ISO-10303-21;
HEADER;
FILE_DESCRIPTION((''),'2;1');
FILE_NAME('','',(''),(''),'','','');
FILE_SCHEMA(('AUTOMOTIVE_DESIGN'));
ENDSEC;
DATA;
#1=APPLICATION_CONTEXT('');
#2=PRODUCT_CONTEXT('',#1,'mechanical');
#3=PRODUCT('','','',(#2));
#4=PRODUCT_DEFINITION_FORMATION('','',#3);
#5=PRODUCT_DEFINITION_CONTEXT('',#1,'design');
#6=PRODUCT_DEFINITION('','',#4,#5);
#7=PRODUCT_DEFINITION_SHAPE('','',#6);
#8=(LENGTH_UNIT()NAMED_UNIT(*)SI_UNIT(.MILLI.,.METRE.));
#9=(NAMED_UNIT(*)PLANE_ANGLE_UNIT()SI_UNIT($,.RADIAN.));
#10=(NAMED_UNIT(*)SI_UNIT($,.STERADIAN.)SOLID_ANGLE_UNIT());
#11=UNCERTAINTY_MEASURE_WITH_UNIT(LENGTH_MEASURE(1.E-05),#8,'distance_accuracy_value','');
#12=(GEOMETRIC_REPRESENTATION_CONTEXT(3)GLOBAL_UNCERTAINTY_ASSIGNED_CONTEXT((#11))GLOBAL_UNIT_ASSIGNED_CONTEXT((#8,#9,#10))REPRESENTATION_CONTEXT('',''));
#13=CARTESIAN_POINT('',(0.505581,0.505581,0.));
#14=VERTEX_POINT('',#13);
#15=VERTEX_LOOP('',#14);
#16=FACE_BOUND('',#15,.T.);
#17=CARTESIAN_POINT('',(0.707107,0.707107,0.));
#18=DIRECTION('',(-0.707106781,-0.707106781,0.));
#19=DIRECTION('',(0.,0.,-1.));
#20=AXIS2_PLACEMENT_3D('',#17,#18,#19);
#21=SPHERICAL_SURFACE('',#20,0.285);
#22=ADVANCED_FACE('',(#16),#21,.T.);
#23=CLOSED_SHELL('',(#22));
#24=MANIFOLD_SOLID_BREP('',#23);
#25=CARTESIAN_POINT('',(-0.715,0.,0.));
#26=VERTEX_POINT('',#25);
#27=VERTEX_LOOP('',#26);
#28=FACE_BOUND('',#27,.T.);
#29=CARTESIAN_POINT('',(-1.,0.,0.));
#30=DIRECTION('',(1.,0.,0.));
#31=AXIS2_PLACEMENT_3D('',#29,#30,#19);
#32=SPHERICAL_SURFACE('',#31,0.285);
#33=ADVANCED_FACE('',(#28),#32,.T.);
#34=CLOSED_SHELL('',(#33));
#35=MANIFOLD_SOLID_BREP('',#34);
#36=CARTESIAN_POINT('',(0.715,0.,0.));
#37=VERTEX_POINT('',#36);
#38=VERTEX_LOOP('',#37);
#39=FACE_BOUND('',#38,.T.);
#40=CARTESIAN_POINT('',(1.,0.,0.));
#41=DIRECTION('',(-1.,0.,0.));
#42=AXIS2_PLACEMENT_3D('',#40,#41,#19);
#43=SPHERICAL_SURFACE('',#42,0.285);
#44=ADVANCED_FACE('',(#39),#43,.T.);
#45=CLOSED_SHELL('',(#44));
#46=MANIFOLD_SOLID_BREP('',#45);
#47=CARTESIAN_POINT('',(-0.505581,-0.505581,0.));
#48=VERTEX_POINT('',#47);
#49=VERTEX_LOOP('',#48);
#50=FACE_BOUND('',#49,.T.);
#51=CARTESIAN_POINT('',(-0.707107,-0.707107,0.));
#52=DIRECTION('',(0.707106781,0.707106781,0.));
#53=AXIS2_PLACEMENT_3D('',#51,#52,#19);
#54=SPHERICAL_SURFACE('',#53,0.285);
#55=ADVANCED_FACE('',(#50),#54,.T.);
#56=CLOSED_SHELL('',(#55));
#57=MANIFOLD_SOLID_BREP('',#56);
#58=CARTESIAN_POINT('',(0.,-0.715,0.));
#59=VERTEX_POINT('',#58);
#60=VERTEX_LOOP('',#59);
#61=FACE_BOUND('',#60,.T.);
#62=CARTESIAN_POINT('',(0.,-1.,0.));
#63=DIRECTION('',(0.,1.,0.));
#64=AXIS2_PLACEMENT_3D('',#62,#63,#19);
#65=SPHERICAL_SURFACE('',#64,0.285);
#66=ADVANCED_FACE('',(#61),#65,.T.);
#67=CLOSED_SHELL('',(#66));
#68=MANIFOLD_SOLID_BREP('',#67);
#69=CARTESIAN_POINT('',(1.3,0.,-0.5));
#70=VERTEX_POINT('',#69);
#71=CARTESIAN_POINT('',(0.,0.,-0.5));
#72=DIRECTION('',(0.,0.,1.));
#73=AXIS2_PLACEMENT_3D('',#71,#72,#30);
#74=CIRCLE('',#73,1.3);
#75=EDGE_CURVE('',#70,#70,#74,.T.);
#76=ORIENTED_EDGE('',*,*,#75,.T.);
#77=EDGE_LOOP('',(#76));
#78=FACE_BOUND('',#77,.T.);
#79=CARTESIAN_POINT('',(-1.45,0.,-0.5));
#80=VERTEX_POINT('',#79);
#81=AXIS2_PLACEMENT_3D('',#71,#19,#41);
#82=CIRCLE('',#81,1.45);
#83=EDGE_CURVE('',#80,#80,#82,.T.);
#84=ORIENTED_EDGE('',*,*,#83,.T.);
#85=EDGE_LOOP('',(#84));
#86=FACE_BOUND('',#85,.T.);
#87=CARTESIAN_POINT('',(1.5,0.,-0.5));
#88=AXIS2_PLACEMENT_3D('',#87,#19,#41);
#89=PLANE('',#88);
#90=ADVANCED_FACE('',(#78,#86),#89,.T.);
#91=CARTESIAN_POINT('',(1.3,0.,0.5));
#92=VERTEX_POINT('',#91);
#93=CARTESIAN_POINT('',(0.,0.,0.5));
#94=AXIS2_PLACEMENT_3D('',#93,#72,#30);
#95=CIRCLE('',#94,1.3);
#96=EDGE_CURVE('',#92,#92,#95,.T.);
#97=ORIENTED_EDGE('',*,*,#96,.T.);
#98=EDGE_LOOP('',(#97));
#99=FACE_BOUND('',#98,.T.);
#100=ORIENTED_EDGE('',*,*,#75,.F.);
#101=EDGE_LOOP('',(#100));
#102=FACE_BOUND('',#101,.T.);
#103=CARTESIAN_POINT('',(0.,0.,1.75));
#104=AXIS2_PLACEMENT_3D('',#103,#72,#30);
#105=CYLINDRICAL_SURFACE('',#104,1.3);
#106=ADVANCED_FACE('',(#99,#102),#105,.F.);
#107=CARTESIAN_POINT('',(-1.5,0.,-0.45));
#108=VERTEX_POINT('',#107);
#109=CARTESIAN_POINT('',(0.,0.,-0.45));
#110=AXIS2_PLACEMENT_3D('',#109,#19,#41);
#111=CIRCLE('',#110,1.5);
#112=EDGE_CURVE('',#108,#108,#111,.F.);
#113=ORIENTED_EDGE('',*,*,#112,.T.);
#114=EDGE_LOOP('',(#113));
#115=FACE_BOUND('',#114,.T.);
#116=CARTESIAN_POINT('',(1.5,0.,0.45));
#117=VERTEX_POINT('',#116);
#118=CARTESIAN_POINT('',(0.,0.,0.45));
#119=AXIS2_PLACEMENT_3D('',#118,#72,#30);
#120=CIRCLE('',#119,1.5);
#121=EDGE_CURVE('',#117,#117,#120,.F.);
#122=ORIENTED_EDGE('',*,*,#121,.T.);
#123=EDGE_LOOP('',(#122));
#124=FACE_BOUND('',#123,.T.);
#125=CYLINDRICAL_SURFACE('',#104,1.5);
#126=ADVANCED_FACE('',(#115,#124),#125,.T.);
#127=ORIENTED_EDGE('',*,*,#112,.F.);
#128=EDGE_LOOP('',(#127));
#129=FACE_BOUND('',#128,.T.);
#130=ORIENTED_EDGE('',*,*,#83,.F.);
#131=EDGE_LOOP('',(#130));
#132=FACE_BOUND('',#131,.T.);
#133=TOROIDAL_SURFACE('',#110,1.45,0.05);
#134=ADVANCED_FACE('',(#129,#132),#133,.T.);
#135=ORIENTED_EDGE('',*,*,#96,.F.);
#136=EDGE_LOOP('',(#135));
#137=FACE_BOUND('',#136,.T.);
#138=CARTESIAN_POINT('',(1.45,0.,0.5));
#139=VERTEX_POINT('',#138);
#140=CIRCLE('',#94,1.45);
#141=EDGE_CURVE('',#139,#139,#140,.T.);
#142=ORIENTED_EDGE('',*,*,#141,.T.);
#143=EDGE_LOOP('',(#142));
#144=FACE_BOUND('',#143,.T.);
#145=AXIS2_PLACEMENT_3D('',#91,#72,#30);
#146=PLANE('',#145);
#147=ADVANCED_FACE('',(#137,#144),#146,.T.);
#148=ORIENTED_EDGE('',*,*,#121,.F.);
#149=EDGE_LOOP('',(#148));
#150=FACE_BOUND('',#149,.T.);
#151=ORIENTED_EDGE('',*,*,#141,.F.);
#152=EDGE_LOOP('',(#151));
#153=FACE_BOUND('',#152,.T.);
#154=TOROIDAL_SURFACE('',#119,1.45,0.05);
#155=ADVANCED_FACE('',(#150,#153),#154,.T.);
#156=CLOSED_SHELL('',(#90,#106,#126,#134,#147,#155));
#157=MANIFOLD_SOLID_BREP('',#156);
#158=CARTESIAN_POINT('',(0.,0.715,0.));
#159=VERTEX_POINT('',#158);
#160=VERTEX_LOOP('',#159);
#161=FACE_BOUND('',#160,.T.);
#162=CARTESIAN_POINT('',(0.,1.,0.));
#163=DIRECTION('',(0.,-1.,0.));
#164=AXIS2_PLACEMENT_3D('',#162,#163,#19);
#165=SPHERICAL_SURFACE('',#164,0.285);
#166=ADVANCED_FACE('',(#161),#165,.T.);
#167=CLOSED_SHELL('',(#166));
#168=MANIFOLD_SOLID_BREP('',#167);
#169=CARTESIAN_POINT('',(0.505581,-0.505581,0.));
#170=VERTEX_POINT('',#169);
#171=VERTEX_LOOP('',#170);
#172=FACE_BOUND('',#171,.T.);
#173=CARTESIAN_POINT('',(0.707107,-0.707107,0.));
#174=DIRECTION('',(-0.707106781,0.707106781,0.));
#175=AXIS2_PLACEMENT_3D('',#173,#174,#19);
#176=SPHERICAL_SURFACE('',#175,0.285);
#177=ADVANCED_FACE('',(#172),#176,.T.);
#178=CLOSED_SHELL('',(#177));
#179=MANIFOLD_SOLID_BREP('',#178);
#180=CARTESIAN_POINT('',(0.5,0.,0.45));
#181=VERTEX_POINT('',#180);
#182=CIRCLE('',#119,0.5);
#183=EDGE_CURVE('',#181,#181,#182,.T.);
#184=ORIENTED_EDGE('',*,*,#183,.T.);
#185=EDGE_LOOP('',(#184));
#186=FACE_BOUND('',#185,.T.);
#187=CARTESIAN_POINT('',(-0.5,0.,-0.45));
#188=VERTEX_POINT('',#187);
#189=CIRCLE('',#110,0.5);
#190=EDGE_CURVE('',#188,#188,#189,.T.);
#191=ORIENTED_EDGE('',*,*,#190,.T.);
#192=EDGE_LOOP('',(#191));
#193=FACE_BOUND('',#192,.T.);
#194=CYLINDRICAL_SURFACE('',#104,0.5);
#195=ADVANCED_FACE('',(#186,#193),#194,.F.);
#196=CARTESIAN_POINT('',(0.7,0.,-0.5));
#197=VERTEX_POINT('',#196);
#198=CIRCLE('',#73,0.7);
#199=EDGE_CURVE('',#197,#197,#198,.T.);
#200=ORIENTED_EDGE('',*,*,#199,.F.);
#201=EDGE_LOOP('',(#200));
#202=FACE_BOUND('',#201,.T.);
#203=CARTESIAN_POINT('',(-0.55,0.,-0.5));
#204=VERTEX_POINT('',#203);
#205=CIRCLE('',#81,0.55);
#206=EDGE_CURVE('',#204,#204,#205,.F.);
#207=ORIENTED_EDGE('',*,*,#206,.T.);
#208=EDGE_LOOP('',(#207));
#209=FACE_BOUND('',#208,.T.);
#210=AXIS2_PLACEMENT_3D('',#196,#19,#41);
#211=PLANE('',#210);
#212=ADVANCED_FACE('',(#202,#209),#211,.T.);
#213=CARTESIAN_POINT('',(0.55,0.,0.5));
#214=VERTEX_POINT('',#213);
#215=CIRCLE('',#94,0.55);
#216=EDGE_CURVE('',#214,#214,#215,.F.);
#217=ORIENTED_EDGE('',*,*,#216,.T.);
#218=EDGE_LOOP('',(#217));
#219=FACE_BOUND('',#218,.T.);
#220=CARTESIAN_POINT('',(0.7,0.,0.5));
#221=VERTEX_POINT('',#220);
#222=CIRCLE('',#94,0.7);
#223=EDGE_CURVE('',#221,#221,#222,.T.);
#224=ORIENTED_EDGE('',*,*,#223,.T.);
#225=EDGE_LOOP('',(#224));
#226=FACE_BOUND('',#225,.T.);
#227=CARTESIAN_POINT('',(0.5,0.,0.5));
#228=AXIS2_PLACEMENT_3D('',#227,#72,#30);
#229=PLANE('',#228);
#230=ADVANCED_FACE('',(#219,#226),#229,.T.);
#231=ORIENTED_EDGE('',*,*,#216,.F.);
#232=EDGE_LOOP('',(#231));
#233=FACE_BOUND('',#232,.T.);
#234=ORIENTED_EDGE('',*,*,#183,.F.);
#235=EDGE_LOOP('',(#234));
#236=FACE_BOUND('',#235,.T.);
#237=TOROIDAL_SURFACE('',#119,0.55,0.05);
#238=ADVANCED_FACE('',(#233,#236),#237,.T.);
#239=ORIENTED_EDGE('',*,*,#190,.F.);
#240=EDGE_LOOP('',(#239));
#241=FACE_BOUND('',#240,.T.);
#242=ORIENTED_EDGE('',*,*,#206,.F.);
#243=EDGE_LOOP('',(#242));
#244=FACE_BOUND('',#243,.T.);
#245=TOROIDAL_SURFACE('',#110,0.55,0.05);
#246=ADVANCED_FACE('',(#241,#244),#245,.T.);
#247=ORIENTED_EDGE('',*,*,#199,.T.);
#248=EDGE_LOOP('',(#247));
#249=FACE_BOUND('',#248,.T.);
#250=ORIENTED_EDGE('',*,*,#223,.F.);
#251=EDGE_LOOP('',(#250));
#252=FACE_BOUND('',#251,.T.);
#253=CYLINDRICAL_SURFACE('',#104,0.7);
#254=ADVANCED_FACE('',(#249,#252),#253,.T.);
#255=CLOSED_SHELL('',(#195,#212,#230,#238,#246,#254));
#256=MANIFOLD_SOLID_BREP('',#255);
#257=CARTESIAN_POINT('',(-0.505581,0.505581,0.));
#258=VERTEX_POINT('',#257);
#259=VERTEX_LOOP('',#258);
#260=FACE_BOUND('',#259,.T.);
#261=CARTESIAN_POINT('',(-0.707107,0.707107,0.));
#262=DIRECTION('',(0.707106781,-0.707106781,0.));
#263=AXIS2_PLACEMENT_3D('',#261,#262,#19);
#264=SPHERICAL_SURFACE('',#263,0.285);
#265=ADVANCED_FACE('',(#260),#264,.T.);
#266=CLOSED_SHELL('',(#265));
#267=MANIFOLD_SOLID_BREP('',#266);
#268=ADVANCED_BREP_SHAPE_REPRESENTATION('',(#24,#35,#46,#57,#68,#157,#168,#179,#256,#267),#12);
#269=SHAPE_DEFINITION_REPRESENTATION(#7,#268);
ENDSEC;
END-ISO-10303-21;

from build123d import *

# Parameters (mm, degrees)
INNERS_W           = 0.2
INNERS_H           = 1
OUTERS_W           = 0.2
OUTERS_H           = 1
BALLSPATTERN_COUNT = 8
FILLET_F1_R        = 0.05
FILLET_F2_R        = 0.05


with BuildPart() as part:
    # InnerS → InnerRing (revolve)
    with BuildSketch(Plane(origin=(0, 0, 0), x_dir=(1, 0, 0), z_dir=(0, 1, 0))):
        with Locations((0.6, 0)):
            Rectangle(INNERS_W, INNERS_H)
    revolve(axis=Axis((0, 0, 1.75), (0, 0, -1)))

    # Fillet F2
    fillet_f2_edges = [part.edges().sort_by_distance(p)[0] for p in [
        (-0.5, 0, -0.5),
        (-0.5, 0, 0.5),
    ]]
    fillet(fillet_f2_edges, radius=FILLET_F2_R)


with BuildPart() as body_2:
    # OuterS → OuterRing (revolve)
    with BuildSketch(Plane(origin=(0, 0, 0), x_dir=(1, 0, 0), z_dir=(0, 1, 0))):
        with Locations((1.4, 0)):
            Rectangle(OUTERS_W, OUTERS_H)
    revolve(axis=Axis((0, 0, 1.75), (0, 0, -1)))

    # Fillet F1
    fillet_f1_edges = [body_2.edges().sort_by_distance(p)[0] for p in [
        (-1.5, 0, -0.5),
        (-1.5, 0, 0.5),
    ]]
    fillet(fillet_f1_edges, radius=FILLET_F1_R)


with BuildPart() as body_3:
    # BallS → Ball (revolve)
    with BuildSketch(Plane(origin=(0, 0, 0), x_dir=(1, 0, 0), z_dir=(0, 1, 0))):
        with BuildLine():
            Line((0.715, 0), (1.285, 0))
            ThreePointArc((1.285, 0), (1, -0.285), (0.715, 0))
        make_face()
    revolve(axis=Axis((0.715, 0, 0), (1, 0, 0)))


with BuildPart() as ballspattern_1:
    # BallsPattern: pattern copy
    add(body_3.part.rotate(Axis((0, 0, -0.55), (0, 0, 1)), 1 * 360 / BALLSPATTERN_COUNT))


with BuildPart() as ballspattern_2:
    # BallsPattern: pattern copy
    add(body_3.part.rotate(Axis((0, 0, -0.55), (0, 0, 1)), 2 * 360 / BALLSPATTERN_COUNT))


with BuildPart() as ballspattern_3:
    # BallsPattern: pattern copy
    add(body_3.part.rotate(Axis((0, 0, -0.55), (0, 0, 1)), 3 * 360 / BALLSPATTERN_COUNT))


with BuildPart() as ballspattern_4:
    # BallsPattern: pattern copy
    add(body_3.part.rotate(Axis((0, 0, -0.55), (0, 0, 1)), 4 * 360 / BALLSPATTERN_COUNT))


with BuildPart() as ballspattern_5:
    # BallsPattern: pattern copy
    add(body_3.part.rotate(Axis((0, 0, -0.55), (0, 0, 1)), 5 * 360 / BALLSPATTERN_COUNT))


with BuildPart() as ballspattern_6:
    # BallsPattern: pattern copy
    add(body_3.part.rotate(Axis((0, 0, -0.55), (0, 0, 1)), 6 * 360 / BALLSPATTERN_COUNT))


with BuildPart() as ballspattern_7:
    # BallsPattern: pattern copy
    add(body_3.part.rotate(Axis((0, 0, -0.55), (0, 0, 1)), 7 * 360 / BALLSPATTERN_COUNT))


solid = Compound([part.part, body_2.part, body_3.part, ballspattern_1.part, ballspattern_2.part, ballspattern_3.part, ballspattern_4.part, ballspattern_5.part, ballspattern_6.part, ballspattern_7.part])
